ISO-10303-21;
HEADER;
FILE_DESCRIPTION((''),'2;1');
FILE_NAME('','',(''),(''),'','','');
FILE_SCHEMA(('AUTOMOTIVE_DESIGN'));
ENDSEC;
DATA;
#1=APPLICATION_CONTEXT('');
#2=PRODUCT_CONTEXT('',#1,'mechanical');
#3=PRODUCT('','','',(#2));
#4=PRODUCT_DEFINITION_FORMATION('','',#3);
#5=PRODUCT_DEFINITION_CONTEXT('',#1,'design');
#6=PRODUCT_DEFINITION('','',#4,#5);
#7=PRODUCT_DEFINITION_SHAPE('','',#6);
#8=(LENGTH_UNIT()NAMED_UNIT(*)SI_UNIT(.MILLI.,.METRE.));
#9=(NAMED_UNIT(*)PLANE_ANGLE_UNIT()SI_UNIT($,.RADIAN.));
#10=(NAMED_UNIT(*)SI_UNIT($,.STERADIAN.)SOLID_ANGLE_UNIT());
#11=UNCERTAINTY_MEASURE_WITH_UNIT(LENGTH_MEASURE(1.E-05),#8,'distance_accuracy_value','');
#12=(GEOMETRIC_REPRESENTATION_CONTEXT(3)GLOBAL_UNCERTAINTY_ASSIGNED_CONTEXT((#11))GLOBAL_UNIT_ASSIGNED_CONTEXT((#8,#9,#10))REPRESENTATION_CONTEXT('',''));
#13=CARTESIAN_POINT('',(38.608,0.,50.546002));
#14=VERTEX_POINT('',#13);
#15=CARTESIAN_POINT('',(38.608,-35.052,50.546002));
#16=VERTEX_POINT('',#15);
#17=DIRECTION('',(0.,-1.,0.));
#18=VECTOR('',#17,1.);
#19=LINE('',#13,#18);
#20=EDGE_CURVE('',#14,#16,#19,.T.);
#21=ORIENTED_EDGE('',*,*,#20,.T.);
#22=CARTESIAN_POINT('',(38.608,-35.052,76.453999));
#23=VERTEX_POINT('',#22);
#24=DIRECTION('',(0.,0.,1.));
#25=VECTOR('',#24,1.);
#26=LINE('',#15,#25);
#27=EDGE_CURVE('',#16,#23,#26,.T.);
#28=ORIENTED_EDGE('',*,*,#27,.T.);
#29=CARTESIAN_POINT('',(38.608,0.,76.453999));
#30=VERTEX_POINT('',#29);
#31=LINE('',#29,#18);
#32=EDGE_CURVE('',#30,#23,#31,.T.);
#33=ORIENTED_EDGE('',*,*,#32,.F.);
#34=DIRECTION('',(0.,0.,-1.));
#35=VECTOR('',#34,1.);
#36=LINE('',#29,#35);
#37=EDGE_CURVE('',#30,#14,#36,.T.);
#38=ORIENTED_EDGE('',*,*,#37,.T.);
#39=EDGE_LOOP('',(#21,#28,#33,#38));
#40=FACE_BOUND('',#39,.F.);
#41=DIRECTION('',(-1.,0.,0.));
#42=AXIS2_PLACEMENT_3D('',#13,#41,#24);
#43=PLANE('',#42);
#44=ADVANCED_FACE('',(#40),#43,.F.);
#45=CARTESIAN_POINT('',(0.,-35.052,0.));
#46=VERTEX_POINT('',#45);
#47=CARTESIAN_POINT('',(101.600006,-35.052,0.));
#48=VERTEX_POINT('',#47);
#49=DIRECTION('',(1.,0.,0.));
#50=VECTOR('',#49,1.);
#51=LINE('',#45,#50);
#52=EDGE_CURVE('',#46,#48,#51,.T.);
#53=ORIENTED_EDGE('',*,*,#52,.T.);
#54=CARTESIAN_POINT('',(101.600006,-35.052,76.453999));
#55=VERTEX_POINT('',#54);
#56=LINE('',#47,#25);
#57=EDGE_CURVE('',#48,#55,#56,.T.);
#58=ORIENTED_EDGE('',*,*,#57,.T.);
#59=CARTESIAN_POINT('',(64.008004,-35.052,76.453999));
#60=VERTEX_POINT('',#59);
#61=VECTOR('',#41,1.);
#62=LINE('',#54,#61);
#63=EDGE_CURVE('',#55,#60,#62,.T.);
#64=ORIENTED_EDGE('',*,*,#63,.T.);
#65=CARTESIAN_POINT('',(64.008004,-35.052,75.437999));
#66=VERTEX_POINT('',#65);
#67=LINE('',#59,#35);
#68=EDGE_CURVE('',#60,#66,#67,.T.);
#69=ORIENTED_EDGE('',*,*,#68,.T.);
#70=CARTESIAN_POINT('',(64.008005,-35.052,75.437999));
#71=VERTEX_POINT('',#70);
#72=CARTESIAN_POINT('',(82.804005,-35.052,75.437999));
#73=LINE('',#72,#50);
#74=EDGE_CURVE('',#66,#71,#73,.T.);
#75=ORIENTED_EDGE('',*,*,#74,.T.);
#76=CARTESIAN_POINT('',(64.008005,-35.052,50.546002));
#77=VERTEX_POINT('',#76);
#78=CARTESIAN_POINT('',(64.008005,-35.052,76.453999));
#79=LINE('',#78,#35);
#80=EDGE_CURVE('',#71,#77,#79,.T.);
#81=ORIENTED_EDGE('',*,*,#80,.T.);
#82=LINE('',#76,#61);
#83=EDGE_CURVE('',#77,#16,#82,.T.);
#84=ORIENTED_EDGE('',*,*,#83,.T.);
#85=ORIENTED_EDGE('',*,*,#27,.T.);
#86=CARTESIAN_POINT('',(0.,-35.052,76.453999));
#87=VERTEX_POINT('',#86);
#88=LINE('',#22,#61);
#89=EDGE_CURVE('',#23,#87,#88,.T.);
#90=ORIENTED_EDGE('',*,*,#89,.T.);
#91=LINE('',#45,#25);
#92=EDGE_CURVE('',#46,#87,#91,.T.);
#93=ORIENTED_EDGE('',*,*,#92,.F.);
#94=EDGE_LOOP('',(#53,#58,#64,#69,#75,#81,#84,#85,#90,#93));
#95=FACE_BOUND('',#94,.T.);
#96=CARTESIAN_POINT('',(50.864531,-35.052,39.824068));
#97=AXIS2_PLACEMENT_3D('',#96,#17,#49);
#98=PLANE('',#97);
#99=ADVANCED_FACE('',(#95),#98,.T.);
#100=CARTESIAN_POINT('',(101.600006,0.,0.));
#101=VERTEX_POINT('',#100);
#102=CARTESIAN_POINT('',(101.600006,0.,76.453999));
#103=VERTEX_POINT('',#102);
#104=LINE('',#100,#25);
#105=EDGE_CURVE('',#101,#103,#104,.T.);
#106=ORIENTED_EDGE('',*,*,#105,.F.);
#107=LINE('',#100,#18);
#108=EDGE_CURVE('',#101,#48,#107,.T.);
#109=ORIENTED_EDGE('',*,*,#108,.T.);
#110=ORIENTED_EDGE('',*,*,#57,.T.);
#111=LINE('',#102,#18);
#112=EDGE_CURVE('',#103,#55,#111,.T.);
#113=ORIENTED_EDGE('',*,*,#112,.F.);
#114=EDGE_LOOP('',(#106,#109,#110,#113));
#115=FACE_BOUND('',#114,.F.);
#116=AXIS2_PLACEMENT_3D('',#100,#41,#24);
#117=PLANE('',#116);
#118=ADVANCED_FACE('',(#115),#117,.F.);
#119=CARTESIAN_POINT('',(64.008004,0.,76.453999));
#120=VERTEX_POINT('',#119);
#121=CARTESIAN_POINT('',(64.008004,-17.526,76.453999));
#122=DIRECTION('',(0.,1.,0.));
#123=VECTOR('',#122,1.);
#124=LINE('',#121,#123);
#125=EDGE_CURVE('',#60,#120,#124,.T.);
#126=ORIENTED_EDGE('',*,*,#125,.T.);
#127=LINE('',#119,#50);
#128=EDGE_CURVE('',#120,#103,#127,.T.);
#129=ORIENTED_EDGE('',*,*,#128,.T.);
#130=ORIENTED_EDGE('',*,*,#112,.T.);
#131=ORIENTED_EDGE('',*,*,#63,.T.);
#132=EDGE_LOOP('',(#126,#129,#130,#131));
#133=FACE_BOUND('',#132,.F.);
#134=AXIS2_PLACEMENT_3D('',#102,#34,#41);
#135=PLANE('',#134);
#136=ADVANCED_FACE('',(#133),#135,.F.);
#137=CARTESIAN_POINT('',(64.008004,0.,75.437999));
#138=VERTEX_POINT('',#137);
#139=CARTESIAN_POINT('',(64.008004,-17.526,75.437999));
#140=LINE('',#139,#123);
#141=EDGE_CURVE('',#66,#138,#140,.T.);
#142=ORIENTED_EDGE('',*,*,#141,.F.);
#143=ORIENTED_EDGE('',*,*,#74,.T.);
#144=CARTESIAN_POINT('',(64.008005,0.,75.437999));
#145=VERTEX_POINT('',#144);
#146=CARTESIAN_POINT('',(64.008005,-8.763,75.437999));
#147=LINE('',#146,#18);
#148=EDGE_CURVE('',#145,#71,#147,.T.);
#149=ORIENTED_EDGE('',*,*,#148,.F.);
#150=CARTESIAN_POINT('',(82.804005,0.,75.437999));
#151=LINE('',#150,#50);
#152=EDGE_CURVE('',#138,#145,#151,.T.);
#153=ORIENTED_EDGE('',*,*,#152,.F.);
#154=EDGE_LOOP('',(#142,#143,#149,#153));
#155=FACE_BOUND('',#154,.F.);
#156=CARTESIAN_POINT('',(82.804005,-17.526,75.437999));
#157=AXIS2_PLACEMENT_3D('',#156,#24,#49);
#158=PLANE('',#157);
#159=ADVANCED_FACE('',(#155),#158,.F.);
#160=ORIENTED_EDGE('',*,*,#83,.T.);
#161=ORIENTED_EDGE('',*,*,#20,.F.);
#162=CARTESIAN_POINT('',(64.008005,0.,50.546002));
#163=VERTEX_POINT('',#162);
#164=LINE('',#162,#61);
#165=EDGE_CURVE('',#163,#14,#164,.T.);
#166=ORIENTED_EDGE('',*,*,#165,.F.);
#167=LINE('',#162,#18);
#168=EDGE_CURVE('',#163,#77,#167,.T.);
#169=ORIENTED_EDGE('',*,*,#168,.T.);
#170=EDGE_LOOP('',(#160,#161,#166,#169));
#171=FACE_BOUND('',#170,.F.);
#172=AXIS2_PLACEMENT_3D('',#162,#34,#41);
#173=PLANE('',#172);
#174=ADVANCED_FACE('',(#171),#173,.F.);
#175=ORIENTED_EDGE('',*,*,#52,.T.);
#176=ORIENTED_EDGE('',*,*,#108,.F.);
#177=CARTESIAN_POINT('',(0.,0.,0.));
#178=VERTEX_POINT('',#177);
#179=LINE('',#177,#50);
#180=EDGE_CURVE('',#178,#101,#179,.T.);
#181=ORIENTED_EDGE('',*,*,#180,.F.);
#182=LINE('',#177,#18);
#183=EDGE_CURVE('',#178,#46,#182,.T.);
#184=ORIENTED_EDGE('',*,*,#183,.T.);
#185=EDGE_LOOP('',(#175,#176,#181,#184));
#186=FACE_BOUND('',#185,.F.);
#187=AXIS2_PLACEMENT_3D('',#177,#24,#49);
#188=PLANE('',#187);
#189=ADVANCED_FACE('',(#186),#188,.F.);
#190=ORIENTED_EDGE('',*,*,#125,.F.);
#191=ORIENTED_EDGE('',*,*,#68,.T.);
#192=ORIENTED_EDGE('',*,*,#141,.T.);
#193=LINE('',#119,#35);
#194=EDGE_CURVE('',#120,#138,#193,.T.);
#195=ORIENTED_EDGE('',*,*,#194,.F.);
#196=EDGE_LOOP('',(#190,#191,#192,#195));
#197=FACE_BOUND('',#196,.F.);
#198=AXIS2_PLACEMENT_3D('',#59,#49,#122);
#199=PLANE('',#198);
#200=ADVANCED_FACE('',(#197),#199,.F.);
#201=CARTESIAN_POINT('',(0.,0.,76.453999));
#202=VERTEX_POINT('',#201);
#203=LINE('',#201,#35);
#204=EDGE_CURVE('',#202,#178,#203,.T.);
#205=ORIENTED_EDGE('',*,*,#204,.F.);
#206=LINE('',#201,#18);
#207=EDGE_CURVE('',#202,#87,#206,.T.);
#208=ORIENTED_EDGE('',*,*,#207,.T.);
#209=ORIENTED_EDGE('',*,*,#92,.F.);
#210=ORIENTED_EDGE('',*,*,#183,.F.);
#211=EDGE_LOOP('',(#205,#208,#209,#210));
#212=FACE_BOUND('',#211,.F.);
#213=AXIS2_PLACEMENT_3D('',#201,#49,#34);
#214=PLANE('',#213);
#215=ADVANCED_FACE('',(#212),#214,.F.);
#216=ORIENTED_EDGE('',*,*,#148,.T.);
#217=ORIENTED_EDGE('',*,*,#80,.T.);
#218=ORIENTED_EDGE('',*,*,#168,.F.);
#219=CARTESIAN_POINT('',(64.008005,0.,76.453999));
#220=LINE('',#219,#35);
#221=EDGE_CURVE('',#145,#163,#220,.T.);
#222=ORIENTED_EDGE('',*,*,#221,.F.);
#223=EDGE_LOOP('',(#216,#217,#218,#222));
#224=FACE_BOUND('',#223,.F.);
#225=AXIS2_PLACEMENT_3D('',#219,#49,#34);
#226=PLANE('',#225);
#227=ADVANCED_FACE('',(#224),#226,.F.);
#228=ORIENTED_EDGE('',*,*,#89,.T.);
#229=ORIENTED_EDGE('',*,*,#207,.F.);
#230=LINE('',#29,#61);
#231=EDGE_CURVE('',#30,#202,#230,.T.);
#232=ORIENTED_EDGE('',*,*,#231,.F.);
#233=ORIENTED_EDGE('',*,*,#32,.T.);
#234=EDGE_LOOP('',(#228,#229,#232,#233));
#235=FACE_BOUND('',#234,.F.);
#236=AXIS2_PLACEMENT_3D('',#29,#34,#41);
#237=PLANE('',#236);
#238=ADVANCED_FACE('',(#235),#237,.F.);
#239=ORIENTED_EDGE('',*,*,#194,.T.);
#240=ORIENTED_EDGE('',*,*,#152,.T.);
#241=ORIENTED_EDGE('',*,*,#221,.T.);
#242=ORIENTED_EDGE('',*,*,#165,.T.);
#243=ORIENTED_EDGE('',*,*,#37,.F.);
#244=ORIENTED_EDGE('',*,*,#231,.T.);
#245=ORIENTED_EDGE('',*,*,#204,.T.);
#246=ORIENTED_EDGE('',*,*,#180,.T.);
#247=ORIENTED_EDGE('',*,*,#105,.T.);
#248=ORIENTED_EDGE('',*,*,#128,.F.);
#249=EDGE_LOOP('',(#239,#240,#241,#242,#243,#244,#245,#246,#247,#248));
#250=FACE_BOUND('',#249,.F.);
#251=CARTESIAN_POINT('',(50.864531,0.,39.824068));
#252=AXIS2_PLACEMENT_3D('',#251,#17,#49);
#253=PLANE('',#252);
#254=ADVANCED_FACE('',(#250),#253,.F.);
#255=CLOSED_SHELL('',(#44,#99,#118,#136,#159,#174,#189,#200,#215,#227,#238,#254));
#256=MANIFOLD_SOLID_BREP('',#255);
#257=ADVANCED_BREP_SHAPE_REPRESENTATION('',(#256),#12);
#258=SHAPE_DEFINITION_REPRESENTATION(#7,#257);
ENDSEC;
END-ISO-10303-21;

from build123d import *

# Parameters (mm, degrees)
F1_DEPTH    = 35.052
F1_FACE_W   = 38.608
F1_FACE_H   = 35.052
F1_FACE_W_2 = 37.592001
F2_DEPTH    = 1.016
F4_DEPTH    = 91.948


with BuildPart() as f1:
    # F0 (on Front) → F1 (new body)
    with BuildSketch(Plane.XZ):
        Polygon((0, 76.453999), (0, 0), (101.600006, 0), (101.600006, 76.453999), (64.008005, 76.453999), (64.008005, 50.546002), (38.608, 50.546002), (38.608, 76.453999), align=None)
    extrude(amount=F1_DEPTH)

    # F1_face (on face) → F2 (join)
    with BuildSketch(Plane(origin=(19.304, -17.526, 76.453999), x_dir=(1, 0, 0), z_dir=(0, 0, 1))):
        Rectangle(F1_FACE_W, F1_FACE_H)
        with Locations((63.500005, 0)):
            Rectangle(F1_FACE_W_2, F1_FACE_H)
    extrude(amount=-F2_DEPTH)


with BuildPart() as f4:
    # F3 (on face) → F4 (new body)
    with BuildSketch(Plane.XY.offset(76.453999)):
        Polygon((354.056151, 0), (354.056151, -101.6), (444.539875, -101.6), (444.539875, -47.334887), (531.121194, -47.334887), (522.471368, 0), (468.59476, 0), align=None)
    extrude(amount=-F4_DEPTH)


solid = f1.part
